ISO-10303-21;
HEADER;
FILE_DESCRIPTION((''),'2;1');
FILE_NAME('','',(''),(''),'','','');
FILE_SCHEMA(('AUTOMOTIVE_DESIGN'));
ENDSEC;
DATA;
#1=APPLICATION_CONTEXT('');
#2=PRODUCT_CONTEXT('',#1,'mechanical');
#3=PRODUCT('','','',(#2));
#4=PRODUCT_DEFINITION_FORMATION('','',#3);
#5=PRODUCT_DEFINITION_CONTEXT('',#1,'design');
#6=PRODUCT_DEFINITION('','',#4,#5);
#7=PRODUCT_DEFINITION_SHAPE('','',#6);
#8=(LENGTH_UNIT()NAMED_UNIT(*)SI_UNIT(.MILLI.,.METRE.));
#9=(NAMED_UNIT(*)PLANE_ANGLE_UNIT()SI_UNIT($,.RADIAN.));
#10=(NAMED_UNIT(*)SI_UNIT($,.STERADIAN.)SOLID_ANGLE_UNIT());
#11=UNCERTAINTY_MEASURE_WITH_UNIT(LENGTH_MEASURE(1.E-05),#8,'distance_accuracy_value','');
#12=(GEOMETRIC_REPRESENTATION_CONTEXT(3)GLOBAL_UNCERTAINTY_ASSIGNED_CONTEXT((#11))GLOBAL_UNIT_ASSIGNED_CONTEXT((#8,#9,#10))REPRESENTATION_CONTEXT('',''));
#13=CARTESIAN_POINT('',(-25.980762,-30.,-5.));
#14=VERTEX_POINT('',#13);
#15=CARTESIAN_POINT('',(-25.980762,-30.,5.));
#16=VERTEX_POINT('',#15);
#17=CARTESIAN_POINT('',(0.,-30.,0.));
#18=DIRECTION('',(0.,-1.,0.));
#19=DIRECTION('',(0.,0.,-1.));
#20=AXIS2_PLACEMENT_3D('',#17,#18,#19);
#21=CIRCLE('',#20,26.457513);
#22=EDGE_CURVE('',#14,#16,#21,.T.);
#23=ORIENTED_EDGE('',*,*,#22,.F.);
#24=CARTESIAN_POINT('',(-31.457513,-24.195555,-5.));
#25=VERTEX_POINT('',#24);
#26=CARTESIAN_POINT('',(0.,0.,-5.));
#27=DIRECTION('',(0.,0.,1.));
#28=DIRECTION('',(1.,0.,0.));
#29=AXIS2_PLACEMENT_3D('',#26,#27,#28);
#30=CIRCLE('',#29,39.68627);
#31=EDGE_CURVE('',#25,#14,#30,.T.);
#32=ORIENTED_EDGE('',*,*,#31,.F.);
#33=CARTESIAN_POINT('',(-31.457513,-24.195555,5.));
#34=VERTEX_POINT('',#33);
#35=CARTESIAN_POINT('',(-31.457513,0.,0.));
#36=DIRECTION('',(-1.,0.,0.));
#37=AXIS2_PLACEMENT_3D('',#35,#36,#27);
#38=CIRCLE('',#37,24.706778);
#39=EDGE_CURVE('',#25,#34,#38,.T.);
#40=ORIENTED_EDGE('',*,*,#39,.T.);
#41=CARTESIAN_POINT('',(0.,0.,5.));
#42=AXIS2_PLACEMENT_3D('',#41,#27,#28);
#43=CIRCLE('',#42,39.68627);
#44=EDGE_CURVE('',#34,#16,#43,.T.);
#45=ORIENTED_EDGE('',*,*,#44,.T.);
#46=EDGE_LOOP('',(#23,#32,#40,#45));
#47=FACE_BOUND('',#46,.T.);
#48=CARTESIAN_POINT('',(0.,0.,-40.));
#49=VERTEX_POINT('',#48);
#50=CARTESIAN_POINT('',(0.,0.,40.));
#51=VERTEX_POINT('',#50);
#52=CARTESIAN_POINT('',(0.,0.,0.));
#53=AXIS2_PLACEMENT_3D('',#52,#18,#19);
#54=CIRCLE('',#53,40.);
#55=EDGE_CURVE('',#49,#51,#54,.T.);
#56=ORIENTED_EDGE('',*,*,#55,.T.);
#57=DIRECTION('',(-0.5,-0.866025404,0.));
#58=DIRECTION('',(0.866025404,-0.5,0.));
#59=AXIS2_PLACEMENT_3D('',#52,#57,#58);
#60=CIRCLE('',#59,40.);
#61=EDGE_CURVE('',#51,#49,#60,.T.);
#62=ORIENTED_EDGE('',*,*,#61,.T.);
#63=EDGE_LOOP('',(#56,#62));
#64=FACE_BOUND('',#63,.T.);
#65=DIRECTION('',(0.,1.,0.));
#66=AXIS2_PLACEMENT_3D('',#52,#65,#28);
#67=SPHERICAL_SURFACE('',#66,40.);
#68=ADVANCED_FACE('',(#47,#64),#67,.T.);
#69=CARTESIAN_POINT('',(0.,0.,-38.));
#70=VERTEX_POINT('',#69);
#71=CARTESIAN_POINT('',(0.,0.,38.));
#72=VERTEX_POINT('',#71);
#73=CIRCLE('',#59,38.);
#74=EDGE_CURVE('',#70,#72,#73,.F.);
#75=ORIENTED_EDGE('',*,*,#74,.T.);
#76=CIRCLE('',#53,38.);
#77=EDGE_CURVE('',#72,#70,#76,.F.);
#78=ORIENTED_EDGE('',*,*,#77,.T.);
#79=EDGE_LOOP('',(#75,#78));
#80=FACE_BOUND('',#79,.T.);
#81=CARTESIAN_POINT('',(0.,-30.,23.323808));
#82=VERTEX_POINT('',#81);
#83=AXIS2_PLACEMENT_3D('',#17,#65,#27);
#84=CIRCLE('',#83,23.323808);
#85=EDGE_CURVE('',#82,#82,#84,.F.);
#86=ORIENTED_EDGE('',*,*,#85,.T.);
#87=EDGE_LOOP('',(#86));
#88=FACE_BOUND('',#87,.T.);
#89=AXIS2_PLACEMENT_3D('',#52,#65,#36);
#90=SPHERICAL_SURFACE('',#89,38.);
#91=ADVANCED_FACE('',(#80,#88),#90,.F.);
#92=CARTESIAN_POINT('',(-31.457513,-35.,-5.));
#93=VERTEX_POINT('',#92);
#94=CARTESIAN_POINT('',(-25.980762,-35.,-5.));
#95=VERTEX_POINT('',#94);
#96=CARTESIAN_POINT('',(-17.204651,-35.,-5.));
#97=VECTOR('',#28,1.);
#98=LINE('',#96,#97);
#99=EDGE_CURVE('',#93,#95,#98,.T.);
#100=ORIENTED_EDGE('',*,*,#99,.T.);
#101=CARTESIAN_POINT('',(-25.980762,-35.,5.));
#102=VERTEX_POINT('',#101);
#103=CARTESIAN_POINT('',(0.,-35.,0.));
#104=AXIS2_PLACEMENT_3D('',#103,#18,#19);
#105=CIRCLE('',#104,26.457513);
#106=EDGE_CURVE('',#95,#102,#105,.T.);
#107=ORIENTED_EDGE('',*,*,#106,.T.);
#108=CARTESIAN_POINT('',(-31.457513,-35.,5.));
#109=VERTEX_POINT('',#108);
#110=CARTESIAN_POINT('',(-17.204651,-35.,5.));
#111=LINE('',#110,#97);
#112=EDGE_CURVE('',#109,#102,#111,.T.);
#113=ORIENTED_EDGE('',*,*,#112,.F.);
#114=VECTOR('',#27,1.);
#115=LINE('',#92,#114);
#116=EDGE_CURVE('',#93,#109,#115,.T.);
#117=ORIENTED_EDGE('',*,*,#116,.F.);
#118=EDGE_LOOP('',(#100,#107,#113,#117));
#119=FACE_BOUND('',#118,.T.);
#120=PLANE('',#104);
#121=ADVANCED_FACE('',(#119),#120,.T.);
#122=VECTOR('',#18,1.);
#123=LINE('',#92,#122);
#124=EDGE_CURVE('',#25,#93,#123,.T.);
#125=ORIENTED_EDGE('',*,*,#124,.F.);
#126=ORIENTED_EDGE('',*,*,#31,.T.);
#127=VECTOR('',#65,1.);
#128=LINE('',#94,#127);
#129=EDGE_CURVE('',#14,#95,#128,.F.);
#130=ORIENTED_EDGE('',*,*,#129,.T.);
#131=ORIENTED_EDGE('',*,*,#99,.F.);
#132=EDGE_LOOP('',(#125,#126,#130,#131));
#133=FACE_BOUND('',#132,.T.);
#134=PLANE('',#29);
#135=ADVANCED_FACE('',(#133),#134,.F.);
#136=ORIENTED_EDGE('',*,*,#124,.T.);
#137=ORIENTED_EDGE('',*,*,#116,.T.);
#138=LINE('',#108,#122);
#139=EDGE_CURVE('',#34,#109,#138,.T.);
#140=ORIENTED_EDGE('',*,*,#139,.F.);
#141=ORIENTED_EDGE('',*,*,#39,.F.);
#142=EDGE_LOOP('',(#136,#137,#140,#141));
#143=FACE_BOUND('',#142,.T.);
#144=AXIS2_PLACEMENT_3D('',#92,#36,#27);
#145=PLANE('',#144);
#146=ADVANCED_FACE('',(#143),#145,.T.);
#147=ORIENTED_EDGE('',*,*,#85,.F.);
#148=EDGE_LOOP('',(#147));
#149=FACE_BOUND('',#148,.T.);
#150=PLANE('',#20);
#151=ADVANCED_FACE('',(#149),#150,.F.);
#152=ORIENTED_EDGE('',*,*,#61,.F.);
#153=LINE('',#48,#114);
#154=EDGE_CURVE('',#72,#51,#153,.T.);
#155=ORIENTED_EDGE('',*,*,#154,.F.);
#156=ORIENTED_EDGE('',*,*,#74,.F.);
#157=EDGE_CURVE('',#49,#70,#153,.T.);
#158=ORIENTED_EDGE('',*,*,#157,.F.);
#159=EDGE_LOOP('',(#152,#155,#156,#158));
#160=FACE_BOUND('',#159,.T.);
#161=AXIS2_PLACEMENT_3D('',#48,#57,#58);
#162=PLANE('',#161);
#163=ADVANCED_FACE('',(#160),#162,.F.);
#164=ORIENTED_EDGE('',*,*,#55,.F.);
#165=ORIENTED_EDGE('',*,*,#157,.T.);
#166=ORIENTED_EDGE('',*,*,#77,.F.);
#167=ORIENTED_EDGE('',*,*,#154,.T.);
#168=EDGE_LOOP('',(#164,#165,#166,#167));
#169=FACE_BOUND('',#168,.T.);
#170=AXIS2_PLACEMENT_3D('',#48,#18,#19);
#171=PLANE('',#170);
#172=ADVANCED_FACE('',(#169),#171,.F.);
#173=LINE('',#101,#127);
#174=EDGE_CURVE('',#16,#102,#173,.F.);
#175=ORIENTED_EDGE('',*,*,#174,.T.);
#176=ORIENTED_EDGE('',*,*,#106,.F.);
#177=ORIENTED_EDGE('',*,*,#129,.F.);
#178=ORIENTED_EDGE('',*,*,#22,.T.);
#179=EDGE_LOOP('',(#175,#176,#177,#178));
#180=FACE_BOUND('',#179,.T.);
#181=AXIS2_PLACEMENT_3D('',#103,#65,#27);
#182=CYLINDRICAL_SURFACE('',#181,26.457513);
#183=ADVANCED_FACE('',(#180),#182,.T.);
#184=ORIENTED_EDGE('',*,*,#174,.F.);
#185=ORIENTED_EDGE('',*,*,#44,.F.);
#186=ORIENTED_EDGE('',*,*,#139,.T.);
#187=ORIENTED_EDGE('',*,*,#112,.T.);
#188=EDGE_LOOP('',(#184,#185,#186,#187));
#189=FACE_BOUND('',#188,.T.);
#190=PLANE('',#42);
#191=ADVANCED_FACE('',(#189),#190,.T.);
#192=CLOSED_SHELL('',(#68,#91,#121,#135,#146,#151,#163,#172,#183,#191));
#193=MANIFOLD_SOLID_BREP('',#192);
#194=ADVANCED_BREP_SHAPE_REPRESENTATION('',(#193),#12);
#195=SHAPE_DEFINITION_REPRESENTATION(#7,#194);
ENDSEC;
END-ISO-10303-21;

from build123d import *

# Parameters (mm, degrees)
KES_EKSTR_ZYON1_DEPTH            = 70.282032303
KES_EKSTR_ZYON1_DEPTH_BACK       = 70.282032303
IZIM2_W                          = 52.915026222
IZIM2_H                          = 20
IZIM4_R                          = 26.457513111
Y_KSEKLIK_EKSTR_ZYON1_DEPTH      = 5
Y_KSEKLIK_EKSTR_ZYON5_DEPTH      = 5
Y_KSEKLIK_EKSTR_ZYON5_DEPTH_BACK = 5


with BuildPart() as part:
    # Çizim1 → Döndür1 (revolve)
    with BuildSketch(Plane.XY):
        with BuildLine():
            Line((0, 38), (0, 40))
            ThreePointArc((0, 40), (40, 0), (0, -40))
            Line((0, -40), (0, -38))
            ThreePointArc((0, -38), (38, 0), (0, 38))
        make_face()
    revolve(axis=Axis((0, 48.642187878, 0), (0, -1, 0)))

    # Çizim2 → Kes-Ekstrüzyon1 (cut, two sides: drawn at the far end of the back side and taken through both)
    with BuildSketch(Plane.XY.offset(-KES_EKSTR_ZYON1_DEPTH_BACK)):
        with BuildLine():
            Line((0, 0), (40, 0))
            ThreePointArc((40, 0), (10.352761804, 38.637033052), (-34.641016151, 20))
            Line((-34.641016151, 20), (0, 0))
        make_face()
        with Locations((0, -40)):
            Rectangle(IZIM2_W, IZIM2_H)
    extrude(amount=KES_EKSTR_ZYON1_DEPTH + KES_EKSTR_ZYON1_DEPTH_BACK, mode=Mode.SUBTRACT)

    # Çizim4 → Yükseklik-Ekstrüzyon1 (add)
    with BuildSketch(Plane.XZ.offset(30)):
        Circle(IZIM4_R)
    extrude(amount=Y_KSEKLIK_EKSTR_ZYON1_DEPTH)

    # Çizim13 → Yükseklik-Ekstrüzyon5 (add, two sides: drawn at the far end of the back side and taken through both)
    with BuildSketch(Plane.XY.offset(-Y_KSEKLIK_EKSTR_ZYON5_DEPTH_BACK)):
        with BuildLine():
            Line((-17.204650534, -35), (-31.457513111, -35))
            Line((-31.457513111, -35), (-31.457513111, -23.05265427))
            ThreePointArc((-31.457513111, -23.05265427), (-25.053668597, -29.88835375), (-17.204650534, -35))
        make_face()
    extrude(amount=Y_KSEKLIK_EKSTR_ZYON5_DEPTH + Y_KSEKLIK_EKSTR_ZYON5_DEPTH_BACK)


solid = part.part
